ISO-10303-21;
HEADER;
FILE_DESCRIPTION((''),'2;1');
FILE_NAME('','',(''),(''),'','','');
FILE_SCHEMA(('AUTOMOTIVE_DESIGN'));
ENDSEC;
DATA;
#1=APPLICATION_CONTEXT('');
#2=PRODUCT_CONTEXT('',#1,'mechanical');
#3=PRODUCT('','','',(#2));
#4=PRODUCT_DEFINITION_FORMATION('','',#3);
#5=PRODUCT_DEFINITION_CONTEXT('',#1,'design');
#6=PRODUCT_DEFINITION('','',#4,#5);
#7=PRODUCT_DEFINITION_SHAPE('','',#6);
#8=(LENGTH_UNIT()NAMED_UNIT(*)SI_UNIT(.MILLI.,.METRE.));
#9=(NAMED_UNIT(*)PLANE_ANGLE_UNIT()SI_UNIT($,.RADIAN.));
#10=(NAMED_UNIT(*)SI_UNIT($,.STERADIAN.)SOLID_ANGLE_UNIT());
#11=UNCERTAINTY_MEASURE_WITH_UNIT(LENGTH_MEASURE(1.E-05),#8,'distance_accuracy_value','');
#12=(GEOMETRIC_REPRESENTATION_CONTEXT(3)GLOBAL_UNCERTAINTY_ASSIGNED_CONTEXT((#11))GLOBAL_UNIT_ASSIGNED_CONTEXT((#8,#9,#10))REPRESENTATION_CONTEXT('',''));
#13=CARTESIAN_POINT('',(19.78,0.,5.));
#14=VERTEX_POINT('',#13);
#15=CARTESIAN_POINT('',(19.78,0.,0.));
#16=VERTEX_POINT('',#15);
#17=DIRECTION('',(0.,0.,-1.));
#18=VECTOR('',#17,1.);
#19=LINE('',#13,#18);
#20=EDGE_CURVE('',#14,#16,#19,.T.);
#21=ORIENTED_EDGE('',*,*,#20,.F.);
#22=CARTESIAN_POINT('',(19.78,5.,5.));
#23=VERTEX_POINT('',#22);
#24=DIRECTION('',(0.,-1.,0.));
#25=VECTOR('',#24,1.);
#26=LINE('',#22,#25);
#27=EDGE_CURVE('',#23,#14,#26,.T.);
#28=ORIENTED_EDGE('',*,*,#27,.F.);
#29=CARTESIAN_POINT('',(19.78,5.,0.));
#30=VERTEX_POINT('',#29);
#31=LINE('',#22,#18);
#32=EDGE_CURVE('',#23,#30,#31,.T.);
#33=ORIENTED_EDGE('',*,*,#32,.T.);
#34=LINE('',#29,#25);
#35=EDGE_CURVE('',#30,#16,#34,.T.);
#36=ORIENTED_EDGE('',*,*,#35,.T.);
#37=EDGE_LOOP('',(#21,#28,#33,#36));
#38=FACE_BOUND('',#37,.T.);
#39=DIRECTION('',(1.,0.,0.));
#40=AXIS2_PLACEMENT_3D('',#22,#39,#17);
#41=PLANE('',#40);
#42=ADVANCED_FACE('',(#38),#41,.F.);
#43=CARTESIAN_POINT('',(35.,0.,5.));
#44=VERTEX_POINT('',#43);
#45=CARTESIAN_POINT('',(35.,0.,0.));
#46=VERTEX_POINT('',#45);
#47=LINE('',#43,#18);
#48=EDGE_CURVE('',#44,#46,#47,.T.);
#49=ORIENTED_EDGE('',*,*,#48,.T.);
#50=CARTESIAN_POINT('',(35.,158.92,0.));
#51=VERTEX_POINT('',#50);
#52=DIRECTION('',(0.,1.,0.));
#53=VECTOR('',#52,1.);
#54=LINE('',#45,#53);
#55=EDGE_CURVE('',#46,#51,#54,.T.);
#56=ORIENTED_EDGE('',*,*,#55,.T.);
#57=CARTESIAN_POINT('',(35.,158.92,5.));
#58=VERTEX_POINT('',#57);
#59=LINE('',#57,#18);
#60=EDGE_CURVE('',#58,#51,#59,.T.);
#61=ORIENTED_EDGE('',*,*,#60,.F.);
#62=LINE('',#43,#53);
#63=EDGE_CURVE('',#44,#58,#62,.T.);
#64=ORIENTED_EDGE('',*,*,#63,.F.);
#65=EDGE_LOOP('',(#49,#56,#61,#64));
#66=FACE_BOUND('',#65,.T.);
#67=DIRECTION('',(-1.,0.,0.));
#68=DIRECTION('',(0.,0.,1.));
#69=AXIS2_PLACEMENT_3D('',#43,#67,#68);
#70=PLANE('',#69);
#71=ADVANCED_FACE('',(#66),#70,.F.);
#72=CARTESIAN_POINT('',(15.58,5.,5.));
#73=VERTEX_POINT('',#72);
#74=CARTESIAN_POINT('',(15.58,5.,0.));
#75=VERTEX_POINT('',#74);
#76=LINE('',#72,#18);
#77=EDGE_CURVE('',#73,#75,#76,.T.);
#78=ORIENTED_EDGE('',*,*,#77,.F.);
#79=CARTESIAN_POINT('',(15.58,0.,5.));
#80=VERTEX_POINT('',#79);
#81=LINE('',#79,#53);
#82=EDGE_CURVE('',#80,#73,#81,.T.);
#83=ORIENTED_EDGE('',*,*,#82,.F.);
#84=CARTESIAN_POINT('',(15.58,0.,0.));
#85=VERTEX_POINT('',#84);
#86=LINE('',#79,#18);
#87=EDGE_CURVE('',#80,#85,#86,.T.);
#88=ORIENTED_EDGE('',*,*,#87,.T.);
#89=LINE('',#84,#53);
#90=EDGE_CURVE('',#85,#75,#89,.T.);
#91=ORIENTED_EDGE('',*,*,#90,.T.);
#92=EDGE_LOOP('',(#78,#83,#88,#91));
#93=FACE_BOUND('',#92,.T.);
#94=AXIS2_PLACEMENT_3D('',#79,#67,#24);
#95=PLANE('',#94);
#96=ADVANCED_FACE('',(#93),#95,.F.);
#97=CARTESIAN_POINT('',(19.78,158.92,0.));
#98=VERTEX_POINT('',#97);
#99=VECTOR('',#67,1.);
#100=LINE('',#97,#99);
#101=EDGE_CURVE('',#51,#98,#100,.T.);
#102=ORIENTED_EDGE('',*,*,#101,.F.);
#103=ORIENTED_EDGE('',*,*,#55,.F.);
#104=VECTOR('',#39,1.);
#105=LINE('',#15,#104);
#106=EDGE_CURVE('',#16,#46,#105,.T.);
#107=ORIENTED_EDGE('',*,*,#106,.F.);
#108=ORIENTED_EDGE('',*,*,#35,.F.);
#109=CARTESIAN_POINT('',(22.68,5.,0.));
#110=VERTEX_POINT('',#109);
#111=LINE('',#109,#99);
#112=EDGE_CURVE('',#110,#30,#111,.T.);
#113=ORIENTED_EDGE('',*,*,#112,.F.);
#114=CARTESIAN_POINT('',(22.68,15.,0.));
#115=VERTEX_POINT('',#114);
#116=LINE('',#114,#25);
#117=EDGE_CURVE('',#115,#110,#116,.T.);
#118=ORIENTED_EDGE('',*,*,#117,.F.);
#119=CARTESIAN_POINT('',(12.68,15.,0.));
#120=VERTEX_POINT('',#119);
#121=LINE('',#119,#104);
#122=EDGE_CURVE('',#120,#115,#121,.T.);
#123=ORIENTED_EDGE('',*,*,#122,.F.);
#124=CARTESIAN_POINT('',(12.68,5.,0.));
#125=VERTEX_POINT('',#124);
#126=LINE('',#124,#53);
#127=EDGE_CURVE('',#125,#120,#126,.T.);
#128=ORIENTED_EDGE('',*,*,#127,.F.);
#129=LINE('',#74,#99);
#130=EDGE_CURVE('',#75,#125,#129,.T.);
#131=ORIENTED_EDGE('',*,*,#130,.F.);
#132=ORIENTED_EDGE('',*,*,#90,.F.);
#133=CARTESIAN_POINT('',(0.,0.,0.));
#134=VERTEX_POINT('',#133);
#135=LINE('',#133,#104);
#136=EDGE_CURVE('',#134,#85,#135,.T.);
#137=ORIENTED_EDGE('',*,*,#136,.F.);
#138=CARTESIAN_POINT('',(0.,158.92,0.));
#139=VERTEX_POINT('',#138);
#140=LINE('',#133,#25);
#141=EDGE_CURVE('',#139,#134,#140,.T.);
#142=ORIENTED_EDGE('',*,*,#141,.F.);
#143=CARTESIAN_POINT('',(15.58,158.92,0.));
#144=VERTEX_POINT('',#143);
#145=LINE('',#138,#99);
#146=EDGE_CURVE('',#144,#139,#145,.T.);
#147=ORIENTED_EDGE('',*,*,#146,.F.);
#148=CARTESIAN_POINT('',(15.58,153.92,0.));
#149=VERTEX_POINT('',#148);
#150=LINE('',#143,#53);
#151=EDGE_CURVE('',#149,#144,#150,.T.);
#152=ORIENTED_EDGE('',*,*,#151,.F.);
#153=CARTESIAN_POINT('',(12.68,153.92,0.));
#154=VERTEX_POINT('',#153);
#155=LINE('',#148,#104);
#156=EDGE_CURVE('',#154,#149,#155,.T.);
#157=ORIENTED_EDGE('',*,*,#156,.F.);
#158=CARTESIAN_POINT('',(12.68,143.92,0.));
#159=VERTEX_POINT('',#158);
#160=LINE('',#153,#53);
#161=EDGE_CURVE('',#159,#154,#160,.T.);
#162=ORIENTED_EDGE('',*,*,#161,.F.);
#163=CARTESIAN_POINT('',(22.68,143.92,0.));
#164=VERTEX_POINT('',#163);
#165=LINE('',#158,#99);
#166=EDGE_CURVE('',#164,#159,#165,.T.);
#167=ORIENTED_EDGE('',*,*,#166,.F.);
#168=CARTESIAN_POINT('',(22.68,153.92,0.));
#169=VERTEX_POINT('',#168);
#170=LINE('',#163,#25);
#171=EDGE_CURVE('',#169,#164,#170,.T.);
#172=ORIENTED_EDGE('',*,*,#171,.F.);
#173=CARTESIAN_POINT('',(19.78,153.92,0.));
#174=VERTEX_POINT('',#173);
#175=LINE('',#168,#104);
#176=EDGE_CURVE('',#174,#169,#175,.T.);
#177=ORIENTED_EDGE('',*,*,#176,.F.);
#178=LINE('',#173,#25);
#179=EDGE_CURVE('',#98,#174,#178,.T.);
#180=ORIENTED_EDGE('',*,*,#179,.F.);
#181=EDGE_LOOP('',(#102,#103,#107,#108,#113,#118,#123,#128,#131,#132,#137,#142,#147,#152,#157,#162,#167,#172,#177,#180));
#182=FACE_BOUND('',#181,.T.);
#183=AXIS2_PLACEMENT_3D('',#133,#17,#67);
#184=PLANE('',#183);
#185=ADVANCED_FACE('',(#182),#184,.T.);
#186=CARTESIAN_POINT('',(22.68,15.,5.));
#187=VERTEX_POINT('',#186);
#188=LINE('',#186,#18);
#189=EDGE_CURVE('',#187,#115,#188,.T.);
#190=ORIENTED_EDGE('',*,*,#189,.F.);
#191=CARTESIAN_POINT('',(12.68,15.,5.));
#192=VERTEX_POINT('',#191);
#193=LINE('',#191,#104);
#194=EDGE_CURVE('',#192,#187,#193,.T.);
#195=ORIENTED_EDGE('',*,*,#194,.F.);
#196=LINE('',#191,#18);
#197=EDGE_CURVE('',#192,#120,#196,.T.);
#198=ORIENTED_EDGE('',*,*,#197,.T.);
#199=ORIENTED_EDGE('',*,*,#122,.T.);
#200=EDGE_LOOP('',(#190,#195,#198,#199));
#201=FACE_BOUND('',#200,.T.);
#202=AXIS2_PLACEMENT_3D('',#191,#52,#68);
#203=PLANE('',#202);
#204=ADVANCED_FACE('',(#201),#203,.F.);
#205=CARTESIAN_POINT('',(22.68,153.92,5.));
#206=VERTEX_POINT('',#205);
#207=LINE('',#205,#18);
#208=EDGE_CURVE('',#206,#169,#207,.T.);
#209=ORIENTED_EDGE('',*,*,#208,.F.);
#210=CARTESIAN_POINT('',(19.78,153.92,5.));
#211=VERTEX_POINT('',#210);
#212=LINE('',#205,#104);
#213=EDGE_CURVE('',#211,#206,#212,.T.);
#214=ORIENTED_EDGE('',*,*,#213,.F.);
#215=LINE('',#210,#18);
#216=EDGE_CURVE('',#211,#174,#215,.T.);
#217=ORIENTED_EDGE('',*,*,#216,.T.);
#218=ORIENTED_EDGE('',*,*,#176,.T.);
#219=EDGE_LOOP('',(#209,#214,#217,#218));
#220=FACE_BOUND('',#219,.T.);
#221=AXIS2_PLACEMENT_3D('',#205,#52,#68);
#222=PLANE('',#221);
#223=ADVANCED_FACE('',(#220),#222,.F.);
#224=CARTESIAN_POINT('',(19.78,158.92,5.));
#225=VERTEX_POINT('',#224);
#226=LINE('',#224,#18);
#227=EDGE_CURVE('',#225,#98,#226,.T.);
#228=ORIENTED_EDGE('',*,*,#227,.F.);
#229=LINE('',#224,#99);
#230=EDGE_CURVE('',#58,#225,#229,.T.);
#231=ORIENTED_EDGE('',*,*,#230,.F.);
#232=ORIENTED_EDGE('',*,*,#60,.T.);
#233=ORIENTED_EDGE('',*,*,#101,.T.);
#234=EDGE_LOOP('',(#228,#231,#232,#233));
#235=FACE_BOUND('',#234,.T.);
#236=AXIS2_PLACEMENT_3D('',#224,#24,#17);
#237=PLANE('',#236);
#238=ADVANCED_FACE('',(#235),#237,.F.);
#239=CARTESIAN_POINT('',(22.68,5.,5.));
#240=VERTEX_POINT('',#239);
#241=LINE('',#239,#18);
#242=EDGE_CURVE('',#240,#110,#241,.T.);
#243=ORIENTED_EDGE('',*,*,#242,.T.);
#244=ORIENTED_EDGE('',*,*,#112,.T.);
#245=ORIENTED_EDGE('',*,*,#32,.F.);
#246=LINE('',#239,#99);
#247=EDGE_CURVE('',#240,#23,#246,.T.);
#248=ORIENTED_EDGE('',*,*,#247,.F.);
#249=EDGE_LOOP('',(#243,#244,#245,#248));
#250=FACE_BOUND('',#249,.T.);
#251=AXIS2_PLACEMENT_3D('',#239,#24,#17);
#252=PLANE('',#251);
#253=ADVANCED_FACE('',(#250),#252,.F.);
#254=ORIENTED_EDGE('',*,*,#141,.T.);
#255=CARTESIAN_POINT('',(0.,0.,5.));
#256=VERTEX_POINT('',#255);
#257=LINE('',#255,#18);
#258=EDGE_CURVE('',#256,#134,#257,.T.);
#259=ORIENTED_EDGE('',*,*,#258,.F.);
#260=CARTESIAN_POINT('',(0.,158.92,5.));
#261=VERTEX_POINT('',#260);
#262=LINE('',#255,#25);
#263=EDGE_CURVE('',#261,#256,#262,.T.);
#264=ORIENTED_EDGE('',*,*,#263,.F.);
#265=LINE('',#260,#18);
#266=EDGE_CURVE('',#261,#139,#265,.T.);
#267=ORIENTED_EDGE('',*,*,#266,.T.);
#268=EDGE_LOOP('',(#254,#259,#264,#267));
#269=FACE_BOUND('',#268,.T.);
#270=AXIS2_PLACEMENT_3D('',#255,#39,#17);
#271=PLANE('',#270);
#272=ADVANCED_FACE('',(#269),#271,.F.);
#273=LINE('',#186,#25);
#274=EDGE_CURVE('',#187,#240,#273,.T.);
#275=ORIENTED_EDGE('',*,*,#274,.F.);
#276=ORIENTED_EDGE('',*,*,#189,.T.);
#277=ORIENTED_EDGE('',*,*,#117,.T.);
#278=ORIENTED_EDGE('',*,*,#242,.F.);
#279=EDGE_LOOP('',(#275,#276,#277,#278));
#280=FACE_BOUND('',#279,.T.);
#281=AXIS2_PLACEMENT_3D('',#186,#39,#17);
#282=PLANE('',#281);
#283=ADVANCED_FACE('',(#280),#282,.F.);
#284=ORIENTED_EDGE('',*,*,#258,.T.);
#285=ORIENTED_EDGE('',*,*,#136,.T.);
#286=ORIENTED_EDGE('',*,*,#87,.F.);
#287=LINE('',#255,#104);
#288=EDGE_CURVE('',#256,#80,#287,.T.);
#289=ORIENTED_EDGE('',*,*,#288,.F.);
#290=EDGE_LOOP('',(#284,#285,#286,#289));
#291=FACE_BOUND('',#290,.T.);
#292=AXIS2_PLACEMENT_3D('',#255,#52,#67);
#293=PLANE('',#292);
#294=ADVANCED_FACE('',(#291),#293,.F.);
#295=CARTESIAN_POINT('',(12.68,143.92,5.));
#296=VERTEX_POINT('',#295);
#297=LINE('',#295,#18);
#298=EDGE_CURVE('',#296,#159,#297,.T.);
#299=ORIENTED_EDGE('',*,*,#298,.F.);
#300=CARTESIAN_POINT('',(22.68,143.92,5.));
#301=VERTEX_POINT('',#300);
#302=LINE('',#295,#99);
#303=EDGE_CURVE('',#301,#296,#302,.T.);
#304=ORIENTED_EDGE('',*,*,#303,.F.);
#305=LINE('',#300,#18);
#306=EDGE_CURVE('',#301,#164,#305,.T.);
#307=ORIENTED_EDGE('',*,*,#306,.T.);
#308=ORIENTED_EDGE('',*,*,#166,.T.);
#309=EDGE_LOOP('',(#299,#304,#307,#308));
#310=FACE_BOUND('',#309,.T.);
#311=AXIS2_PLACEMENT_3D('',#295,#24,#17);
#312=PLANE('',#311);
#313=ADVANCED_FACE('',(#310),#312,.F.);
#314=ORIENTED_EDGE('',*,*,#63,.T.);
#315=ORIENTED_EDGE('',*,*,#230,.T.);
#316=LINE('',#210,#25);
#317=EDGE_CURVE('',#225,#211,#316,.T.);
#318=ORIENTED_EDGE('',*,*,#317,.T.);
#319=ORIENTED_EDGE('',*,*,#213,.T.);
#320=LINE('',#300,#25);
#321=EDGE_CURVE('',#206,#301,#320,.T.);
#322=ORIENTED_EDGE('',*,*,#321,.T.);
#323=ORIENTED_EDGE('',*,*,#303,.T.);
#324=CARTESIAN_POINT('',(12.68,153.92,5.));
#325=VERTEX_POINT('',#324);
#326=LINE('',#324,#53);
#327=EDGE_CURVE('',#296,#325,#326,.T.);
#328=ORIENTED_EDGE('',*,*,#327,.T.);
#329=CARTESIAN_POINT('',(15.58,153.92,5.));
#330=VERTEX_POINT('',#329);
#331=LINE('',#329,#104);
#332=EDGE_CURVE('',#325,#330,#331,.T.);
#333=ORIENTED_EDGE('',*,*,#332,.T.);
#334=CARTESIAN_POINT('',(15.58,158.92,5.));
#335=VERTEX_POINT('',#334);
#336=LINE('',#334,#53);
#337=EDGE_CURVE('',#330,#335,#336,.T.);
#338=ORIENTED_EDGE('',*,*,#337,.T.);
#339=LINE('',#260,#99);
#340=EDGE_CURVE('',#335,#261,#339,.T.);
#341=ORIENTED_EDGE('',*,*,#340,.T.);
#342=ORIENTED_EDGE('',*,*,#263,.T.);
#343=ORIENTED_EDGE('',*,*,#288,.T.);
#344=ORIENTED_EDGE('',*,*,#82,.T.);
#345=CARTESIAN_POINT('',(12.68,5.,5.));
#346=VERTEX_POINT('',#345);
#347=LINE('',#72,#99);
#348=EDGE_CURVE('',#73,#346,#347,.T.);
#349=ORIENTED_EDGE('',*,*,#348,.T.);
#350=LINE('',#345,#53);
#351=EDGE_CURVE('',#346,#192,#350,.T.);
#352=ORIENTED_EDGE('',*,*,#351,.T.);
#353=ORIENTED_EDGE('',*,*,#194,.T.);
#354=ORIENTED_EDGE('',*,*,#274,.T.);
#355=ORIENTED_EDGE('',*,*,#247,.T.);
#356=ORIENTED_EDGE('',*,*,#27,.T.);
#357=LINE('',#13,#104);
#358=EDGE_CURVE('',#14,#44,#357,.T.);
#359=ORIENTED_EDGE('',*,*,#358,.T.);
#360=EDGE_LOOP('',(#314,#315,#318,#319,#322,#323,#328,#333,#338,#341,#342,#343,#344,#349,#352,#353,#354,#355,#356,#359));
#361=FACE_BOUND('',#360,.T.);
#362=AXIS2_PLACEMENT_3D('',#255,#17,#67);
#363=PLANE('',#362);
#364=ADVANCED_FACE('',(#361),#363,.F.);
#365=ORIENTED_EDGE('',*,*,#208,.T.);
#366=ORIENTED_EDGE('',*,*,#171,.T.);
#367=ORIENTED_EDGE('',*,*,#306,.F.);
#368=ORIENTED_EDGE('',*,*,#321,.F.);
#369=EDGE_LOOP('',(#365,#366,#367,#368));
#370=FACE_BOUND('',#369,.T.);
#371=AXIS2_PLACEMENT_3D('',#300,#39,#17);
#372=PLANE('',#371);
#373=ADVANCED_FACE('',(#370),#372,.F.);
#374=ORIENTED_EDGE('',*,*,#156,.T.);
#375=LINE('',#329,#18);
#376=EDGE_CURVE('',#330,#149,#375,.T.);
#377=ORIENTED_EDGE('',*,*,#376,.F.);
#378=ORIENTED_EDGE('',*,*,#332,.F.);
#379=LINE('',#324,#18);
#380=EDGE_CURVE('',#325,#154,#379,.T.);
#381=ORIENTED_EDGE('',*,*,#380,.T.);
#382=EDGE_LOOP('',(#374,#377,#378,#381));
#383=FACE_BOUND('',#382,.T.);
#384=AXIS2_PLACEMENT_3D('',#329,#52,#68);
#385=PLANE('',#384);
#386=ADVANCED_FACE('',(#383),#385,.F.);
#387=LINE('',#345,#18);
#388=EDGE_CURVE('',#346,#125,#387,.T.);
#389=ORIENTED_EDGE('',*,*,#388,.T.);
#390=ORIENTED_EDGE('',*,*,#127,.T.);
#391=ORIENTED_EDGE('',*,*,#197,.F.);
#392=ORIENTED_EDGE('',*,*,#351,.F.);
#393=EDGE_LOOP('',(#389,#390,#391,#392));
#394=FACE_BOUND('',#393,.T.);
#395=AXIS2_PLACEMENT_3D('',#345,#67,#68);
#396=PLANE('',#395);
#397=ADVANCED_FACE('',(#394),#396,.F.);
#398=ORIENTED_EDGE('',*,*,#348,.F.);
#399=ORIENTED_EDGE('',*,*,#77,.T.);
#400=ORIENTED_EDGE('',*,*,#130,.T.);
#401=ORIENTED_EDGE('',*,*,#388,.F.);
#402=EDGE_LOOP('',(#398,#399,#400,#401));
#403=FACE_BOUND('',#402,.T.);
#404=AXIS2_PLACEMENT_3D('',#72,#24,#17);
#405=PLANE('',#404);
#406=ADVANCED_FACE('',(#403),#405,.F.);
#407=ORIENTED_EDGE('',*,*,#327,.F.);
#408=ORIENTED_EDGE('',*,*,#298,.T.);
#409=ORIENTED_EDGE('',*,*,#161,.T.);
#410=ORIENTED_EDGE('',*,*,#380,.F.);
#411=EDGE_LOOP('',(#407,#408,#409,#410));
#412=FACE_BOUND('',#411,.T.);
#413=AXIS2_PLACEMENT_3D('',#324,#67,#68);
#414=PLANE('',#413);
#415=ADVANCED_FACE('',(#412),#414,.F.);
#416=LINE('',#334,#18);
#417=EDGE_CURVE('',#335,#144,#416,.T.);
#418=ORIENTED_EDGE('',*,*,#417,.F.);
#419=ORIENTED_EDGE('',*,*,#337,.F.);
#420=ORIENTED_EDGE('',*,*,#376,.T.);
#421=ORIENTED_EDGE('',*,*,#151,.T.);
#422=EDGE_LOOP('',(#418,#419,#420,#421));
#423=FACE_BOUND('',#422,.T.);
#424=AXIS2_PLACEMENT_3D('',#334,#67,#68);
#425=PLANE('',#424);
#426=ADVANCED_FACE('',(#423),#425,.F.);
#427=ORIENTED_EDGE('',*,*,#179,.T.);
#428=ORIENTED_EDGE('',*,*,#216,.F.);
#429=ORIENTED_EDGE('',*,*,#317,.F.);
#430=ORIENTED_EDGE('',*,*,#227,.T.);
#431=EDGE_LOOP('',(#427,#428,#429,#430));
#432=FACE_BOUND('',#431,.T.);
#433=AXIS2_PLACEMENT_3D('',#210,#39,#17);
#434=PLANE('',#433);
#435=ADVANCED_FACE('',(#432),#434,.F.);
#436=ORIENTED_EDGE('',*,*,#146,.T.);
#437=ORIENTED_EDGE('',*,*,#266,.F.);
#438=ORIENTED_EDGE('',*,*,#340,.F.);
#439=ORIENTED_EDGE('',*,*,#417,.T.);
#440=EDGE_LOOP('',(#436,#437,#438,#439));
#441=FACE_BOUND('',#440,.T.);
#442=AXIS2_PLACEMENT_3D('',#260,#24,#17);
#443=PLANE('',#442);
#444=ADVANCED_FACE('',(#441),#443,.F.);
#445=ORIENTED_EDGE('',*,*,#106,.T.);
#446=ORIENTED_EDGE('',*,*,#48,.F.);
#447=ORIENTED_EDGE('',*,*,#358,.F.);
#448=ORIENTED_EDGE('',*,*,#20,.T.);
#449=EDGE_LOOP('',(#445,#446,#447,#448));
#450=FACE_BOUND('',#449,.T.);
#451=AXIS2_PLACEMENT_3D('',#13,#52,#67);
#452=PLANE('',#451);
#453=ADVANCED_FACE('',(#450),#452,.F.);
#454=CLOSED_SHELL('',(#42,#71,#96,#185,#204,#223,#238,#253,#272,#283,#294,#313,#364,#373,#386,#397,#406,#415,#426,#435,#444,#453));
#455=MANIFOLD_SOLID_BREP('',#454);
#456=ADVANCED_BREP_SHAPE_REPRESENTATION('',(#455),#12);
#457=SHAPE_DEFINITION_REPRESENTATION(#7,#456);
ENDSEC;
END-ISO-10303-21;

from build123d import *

# Parameters (mm, degrees)
BOSS_EXTRU_2_DEPTH = 5


with BuildPart() as part:
    # Esquisse1 → Boss.-Extru.2 (new body)
    with BuildSketch(Plane.XY):
        Polygon((0, 0), (15.58, 0), (15.58, 5), (12.68, 5), (12.68, 15), (22.68, 15), (22.68, 5), (19.78, 5), (19.78, 0), (35, 0), (35, 158.92), (19.78, 158.92), (19.78, 153.92), (22.68, 153.92), (22.68, 143.92), (12.68, 143.92), (12.68, 153.92), (15.58, 153.92), (15.58, 158.92), (0, 158.92), align=None)
    extrude(amount=BOSS_EXTRU_2_DEPTH)


solid = part.part
